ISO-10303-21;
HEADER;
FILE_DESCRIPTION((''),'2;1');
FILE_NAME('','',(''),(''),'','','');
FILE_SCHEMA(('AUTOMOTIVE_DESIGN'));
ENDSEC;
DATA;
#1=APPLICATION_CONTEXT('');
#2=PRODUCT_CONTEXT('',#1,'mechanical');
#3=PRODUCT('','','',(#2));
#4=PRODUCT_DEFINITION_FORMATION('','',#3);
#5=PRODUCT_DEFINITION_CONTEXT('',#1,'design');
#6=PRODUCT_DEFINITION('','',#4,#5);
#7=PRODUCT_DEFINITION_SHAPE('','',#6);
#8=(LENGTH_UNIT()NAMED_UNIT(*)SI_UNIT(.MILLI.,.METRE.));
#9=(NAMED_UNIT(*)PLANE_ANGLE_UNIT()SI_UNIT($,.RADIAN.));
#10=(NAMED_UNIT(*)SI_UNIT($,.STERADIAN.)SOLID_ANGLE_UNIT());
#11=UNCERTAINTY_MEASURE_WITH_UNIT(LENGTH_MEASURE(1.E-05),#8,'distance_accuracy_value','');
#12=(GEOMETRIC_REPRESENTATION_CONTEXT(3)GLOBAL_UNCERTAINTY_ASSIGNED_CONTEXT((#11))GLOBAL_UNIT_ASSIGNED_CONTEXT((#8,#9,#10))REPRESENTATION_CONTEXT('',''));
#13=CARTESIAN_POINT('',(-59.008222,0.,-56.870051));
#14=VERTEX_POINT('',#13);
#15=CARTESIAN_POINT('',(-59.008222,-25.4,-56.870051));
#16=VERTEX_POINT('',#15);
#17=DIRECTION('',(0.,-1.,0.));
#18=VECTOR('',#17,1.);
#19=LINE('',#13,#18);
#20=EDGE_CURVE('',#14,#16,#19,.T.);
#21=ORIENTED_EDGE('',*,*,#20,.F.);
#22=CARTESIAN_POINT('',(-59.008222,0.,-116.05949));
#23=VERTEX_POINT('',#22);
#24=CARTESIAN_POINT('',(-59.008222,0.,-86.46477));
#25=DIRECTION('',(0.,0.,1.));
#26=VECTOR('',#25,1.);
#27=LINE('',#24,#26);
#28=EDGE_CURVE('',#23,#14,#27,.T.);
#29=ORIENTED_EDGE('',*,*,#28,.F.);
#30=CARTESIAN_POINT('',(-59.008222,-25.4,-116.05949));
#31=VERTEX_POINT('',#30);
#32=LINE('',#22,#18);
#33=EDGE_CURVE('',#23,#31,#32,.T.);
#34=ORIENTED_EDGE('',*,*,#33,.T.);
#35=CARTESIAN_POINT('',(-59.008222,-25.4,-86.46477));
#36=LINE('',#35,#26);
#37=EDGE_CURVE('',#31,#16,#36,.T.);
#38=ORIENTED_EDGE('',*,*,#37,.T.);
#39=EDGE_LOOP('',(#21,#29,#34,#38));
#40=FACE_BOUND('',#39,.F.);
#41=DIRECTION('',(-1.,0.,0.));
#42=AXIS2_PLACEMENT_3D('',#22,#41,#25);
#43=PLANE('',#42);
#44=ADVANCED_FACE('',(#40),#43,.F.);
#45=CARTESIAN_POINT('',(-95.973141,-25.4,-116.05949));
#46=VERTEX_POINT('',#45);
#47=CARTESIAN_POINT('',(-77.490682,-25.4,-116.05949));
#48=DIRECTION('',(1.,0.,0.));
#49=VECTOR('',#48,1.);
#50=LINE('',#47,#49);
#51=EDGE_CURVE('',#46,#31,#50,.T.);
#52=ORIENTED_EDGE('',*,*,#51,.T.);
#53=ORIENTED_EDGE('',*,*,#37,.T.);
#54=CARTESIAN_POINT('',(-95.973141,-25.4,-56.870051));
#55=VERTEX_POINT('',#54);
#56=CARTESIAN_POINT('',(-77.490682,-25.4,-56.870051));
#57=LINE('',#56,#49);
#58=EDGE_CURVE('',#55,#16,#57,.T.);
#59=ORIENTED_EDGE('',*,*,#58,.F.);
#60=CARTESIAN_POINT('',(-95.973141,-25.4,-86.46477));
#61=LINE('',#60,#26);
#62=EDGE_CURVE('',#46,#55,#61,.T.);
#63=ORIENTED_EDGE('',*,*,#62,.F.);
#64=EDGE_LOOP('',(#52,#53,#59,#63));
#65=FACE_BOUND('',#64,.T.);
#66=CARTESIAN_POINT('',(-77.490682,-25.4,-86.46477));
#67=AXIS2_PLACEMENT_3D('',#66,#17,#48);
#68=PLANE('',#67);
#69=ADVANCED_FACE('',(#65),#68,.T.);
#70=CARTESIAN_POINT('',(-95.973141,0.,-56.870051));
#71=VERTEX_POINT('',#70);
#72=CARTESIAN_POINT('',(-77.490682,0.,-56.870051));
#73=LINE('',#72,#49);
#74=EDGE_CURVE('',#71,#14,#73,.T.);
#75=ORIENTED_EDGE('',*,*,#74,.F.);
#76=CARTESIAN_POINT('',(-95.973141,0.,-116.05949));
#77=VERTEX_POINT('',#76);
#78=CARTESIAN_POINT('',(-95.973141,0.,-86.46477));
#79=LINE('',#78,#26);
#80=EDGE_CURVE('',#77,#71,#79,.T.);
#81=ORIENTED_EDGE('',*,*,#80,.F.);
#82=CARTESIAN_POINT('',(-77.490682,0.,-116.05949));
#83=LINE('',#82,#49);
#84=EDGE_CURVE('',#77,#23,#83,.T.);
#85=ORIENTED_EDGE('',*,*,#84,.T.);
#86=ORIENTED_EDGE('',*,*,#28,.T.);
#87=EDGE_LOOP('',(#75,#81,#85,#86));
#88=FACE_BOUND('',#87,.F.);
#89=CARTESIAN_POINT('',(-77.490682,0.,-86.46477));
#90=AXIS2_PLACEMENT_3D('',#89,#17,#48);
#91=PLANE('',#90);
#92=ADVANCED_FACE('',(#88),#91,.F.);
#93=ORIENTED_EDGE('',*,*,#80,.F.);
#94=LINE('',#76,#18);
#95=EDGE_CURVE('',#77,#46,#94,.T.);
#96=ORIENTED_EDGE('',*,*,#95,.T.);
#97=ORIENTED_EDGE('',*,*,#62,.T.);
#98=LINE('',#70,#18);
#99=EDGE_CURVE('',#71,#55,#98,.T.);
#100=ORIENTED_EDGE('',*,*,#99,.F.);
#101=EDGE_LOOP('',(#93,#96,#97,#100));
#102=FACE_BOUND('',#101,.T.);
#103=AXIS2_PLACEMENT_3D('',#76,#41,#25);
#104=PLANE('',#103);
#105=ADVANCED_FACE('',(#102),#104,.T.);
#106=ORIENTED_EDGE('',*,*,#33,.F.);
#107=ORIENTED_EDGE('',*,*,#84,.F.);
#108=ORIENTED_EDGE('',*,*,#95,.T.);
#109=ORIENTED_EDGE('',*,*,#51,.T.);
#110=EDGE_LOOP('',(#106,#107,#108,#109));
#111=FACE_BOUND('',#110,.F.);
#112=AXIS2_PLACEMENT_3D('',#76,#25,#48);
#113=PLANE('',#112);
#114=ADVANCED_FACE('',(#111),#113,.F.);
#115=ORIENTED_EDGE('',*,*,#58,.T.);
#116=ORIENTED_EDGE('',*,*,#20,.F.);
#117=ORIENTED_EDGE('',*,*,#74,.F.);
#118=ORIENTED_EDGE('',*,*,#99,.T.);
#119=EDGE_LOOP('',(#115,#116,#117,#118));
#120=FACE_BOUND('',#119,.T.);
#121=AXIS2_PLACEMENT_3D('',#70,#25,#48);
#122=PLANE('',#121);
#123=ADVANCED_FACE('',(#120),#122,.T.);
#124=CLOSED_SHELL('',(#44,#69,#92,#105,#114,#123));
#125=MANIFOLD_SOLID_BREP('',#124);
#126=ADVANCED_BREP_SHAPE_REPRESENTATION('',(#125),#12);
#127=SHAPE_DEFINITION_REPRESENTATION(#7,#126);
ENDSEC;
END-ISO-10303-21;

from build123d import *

# Parameters (mm, degrees)
F0_W     = 79.0167599916
F0_H     = 16.8677717447
F1_DEPTH = 25.4
F0_W_2   = 19.6694098413
F0_H_2   = 41.121551767
F0_W_3   = 34.9301528186
F0_H_3   = 109.2894896865
F0_W_4   = 36.9649194181
F0_H_4   = 59.1894388199


with BuildPart() as f1:
    # F0 (on Front) → F1 (new body)
    with BuildSketch(Plane.XZ):
        with Locations((-127.3424550891, 41.0692133009)):
            Rectangle(F0_W, F0_H)
    extrude(amount=F1_DEPTH)


with BuildPart() as f1b:
    # F0 (on Front) → F1, piece 2 (new body)
    with BuildSketch(Plane.XZ):
        with Locations((-37.3040493578, 48.2394723222)):
            Rectangle(F0_W_2, F0_H_2)
    extrude(amount=F1_DEPTH)


with BuildPart() as f1c:
    # F0 (on Front) → F1, piece 3 (new body)
    with BuildSketch(Plane.XZ):
        with Locations((23.5693762079, 3.0734874308)):
            Rectangle(F0_W_3, F0_H_3)
    extrude(amount=F1_DEPTH)


with BuildPart() as f1d:
    # F0 (on Front) → F1, piece 4 (new body)
    with BuildSketch(Plane.XZ):
        with Locations((-77.4906817824, -86.4647701383)):
            Rectangle(F0_W_4, F0_H_4)
    extrude(amount=F1_DEPTH)


solid = f1d.part
